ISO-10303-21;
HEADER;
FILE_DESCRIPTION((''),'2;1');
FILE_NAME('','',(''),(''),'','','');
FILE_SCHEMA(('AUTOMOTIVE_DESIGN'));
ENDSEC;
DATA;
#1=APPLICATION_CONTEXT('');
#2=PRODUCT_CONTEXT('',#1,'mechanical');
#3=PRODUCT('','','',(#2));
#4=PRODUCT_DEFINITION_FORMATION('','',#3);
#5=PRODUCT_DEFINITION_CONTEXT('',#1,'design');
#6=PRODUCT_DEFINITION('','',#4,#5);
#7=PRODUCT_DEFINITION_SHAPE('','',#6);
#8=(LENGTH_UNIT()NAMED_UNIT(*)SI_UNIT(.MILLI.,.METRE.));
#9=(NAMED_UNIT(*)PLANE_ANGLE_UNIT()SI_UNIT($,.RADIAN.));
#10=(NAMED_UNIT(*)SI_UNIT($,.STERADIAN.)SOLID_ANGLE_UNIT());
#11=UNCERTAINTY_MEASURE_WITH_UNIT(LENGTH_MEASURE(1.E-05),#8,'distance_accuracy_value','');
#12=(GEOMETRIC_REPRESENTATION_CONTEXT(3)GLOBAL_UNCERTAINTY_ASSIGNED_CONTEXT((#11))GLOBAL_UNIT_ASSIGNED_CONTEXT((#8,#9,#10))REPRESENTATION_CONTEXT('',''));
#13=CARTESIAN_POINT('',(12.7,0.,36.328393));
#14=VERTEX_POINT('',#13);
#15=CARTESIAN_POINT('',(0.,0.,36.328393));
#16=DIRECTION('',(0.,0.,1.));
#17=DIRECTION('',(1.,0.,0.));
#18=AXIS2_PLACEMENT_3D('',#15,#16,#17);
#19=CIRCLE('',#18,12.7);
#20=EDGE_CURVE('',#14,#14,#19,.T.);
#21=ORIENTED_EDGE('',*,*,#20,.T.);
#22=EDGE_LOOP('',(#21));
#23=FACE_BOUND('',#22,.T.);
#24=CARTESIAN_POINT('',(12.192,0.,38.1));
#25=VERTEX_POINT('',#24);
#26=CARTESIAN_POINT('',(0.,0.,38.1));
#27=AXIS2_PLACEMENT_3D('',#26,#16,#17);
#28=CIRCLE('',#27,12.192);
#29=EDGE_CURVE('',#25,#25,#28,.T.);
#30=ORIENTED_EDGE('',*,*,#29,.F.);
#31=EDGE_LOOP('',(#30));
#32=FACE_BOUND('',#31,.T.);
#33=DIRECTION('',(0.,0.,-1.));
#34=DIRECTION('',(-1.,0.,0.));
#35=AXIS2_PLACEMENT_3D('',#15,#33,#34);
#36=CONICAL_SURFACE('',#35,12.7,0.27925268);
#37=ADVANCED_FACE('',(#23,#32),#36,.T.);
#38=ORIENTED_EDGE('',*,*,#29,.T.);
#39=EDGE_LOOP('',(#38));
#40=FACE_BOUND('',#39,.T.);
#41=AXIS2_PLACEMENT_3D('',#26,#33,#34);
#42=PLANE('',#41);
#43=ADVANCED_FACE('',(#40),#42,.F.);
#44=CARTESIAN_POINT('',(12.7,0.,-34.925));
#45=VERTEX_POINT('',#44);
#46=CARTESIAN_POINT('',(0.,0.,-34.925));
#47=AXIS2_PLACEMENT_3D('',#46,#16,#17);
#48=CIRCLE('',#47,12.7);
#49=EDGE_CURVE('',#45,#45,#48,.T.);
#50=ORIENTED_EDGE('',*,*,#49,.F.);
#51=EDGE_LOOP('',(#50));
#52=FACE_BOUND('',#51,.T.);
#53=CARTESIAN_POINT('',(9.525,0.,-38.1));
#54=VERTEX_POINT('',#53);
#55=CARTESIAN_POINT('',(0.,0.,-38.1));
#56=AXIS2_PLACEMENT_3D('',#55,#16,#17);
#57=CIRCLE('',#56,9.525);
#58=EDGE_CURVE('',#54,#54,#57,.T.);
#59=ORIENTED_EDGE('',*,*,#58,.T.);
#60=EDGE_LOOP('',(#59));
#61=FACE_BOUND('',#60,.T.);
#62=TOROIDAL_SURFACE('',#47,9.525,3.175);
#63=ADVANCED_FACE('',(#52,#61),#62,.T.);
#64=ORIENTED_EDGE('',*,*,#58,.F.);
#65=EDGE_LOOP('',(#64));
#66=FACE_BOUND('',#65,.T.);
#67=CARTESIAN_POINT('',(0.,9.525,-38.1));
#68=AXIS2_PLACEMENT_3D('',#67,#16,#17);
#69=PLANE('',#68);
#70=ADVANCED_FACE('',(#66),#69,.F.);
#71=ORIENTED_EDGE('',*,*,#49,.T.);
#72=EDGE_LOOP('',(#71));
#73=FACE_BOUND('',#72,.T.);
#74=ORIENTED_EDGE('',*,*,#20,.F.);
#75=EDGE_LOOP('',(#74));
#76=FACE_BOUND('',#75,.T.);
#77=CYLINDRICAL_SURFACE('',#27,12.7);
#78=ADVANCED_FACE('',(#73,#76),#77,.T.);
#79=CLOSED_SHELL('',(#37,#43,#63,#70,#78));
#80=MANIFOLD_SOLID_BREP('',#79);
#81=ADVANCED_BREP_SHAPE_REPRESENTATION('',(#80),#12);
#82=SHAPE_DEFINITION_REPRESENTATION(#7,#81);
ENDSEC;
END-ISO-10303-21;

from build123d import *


with BuildPart() as part:
    # Sketch3 → Revolve1 (revolve)
    with BuildSketch(Plane(origin=(0, 0, 0), x_dir=(0, 0, -1), z_dir=(1, 0, 0)), mode=Mode.PRIVATE) as revolve1_sk:
        with BuildLine():
            Line((38.1, 9.525), (38.1, 0))
            Line((38.1, 0), (-38.1, 0))
            Line((-38.1, 0), (-38.1, 12.192))
            Line((-38.1, 12.192), (-36.328393463, 12.7))
            Line((-36.328393463, 12.7), (34.925, 12.7))
            ThreePointArc((34.925, 12.7), (37.17006403, 11.77006403), (38.1, 9.525))
        make_face()
    revolve(revolve1_sk.sketch.rotate(Axis((0, 0, 38.1), (0, 0, -1)), 90), axis=Axis((0, 0, 38.1), (0, 0, -1)))


solid = part.part
